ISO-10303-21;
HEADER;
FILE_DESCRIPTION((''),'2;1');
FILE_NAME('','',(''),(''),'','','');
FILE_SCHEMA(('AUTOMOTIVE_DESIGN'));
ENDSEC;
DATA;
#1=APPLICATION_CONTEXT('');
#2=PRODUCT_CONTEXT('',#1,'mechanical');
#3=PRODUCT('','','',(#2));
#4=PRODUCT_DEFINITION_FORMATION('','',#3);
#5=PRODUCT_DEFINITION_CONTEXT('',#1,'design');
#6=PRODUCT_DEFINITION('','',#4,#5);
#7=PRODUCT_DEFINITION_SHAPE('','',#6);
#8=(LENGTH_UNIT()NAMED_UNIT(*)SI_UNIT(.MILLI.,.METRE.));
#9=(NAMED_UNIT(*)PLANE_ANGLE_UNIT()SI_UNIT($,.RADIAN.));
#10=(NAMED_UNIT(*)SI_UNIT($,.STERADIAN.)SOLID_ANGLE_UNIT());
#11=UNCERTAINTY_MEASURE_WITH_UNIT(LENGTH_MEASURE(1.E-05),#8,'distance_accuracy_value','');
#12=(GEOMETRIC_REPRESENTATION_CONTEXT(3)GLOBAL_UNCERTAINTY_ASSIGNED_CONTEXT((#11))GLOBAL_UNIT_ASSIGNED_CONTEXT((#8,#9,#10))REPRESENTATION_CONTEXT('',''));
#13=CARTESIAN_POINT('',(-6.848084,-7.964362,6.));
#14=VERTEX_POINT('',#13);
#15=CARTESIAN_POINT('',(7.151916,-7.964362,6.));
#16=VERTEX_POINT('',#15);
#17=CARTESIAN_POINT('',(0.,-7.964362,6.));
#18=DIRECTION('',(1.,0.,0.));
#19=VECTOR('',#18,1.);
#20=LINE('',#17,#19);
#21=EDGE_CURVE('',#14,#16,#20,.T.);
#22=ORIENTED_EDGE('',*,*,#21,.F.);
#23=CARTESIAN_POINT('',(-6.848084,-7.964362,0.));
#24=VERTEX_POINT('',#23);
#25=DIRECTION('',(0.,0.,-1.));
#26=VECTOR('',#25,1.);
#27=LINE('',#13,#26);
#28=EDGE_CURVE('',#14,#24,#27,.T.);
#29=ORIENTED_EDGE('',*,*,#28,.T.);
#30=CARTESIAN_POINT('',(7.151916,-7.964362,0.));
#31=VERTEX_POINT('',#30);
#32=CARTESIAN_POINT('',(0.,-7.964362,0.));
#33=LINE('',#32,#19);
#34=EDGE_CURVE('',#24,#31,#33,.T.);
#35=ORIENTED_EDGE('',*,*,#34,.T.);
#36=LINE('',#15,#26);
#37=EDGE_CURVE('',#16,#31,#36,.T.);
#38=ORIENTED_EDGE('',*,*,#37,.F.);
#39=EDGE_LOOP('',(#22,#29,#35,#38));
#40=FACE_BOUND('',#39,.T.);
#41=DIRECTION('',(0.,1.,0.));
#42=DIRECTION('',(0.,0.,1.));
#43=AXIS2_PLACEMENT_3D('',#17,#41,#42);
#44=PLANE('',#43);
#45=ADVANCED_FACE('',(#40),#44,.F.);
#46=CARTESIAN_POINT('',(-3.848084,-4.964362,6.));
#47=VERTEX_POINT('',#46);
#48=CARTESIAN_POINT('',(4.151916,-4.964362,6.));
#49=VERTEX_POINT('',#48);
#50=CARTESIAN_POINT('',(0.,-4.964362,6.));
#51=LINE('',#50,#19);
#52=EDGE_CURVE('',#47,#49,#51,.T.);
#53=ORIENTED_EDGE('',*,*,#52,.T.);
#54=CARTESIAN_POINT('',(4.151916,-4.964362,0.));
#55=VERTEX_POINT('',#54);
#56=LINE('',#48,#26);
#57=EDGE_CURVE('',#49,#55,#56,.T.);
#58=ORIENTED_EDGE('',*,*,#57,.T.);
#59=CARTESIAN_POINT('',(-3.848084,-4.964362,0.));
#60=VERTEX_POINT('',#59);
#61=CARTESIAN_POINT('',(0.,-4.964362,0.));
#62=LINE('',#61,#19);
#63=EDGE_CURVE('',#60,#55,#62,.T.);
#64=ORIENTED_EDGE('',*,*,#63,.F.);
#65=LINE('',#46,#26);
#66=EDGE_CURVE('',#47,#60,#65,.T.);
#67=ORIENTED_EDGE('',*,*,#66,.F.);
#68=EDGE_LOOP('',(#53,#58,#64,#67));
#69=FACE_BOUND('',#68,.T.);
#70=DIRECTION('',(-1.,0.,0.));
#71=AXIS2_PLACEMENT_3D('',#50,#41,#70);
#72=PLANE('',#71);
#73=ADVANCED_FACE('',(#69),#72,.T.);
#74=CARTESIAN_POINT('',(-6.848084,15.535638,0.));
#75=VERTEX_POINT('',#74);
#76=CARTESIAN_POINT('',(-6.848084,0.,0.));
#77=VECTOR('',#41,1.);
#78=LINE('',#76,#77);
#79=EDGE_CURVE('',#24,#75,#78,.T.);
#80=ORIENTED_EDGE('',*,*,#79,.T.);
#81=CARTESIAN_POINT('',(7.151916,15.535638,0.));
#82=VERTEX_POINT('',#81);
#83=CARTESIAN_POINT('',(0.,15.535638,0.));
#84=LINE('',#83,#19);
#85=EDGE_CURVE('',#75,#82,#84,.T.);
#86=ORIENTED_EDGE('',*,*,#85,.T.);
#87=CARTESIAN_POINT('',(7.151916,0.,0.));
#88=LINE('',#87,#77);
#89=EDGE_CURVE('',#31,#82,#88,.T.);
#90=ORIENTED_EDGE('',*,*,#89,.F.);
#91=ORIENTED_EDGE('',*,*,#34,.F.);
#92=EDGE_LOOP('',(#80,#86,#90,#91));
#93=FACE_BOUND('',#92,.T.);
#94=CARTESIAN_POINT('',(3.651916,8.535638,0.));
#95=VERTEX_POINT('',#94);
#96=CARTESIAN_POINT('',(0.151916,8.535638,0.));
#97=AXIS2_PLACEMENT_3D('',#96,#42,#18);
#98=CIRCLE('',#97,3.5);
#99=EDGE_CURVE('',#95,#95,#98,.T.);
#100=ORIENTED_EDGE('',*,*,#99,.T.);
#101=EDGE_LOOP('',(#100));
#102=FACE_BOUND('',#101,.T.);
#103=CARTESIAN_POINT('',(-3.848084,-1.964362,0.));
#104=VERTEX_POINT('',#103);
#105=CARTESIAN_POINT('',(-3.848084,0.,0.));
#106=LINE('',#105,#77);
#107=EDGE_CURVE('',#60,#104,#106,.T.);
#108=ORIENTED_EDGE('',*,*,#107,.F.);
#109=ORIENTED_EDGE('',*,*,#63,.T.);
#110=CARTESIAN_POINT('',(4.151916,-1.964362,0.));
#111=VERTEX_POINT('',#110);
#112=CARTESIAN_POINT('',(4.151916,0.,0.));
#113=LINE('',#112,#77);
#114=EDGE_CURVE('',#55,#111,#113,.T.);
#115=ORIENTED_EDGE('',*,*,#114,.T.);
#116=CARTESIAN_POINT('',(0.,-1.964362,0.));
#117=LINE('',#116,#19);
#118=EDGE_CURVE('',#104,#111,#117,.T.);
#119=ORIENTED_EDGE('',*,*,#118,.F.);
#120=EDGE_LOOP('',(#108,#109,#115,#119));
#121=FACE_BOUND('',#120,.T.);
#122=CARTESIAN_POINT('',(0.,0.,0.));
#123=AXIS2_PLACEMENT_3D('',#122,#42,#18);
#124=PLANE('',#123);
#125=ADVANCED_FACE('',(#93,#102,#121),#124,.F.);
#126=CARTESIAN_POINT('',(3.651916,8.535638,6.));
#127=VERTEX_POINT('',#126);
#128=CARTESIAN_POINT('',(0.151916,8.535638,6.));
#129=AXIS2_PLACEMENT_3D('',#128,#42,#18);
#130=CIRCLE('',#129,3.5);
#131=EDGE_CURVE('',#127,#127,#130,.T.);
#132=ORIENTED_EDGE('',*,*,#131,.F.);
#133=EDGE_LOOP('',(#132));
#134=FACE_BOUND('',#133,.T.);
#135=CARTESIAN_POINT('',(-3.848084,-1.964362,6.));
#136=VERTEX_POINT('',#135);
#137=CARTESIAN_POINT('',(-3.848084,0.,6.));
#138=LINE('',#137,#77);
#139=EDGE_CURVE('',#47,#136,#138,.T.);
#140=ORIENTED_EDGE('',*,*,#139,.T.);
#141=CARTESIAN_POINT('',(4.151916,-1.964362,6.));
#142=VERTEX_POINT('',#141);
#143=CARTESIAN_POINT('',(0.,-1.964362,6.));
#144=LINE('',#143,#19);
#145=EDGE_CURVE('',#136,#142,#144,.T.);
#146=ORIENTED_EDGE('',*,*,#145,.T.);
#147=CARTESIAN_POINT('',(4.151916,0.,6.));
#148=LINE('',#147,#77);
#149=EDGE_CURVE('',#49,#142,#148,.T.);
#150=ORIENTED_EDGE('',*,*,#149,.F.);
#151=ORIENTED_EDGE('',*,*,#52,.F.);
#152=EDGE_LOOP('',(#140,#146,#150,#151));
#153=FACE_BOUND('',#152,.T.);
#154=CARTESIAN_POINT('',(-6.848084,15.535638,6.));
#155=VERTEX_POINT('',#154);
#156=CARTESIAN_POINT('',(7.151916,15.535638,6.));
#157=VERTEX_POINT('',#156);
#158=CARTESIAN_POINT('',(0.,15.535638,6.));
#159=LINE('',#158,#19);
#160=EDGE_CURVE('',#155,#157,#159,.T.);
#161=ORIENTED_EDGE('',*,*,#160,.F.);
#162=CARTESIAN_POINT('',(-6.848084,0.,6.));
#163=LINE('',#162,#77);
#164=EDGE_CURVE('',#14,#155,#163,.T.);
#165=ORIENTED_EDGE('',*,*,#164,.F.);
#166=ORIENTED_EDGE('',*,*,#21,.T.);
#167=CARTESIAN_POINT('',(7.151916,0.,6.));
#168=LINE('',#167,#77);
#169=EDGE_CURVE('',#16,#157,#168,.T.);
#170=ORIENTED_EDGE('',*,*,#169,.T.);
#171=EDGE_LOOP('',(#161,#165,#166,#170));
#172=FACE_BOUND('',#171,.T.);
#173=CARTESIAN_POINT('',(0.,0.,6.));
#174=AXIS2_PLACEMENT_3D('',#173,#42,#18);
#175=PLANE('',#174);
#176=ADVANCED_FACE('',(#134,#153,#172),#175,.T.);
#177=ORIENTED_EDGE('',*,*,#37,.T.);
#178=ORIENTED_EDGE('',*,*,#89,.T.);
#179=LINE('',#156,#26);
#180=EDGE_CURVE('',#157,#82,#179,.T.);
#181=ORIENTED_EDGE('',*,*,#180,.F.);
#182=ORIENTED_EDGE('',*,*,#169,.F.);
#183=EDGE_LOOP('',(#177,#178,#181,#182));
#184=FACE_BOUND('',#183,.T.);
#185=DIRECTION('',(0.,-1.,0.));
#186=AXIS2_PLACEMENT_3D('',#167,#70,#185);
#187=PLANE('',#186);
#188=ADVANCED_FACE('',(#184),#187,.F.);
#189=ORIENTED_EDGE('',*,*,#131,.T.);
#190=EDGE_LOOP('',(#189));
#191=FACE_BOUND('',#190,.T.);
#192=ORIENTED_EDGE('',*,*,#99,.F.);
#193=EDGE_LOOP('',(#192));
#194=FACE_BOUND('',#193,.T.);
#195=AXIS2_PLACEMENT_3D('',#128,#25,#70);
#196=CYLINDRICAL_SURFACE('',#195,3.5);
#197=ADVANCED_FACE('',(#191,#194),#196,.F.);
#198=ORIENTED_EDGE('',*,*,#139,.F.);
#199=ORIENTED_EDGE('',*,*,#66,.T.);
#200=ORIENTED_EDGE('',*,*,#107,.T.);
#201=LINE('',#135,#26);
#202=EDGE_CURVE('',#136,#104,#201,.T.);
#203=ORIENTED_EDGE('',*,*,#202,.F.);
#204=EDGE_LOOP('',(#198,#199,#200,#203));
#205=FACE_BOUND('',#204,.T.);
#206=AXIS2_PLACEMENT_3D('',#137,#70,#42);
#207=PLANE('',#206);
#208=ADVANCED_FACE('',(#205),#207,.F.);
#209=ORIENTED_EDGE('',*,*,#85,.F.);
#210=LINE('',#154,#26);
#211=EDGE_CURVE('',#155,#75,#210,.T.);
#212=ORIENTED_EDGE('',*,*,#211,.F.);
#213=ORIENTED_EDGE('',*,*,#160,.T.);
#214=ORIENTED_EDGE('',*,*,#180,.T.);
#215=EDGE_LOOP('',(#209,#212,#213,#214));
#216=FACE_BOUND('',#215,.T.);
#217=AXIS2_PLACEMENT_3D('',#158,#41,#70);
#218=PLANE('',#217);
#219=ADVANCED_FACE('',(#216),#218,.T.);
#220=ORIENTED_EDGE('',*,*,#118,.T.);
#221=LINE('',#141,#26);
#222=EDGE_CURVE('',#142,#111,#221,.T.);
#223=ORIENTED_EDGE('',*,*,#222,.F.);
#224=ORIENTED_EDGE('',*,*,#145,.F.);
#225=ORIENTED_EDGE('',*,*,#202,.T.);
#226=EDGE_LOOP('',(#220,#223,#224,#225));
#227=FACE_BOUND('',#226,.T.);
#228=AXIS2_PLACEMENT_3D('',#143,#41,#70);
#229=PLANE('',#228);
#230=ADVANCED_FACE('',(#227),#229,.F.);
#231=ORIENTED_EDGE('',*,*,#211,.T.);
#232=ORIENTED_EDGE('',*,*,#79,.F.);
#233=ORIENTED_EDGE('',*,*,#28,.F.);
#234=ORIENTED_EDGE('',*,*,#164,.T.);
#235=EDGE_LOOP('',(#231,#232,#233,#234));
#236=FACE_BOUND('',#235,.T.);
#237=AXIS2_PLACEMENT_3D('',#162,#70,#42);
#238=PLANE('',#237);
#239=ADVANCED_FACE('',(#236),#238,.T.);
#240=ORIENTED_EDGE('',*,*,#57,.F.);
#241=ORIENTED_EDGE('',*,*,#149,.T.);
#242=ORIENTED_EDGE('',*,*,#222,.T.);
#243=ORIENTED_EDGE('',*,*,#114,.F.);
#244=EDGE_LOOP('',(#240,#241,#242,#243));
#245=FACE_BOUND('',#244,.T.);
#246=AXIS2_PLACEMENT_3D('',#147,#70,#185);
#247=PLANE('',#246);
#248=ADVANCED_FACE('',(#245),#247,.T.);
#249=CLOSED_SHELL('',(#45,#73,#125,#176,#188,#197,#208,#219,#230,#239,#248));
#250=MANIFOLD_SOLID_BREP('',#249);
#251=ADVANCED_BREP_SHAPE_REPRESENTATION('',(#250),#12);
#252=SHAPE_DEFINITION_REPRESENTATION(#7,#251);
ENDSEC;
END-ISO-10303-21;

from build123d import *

# Parameters (mm, degrees)
SKETCH1_W           = 14
SKETCH1_H           = 23.5
SKETCH1_R           = 3.5
SKETCH1_W_2         = 8
SKETCH1_H_2         = 3
BOSS_EXTRUDE2_DEPTH = 6


with BuildPart() as part:
    # Sketch1 → Boss-Extrude2 (new body)
    with BuildSketch(Plane.XY):
        with Locations((0.151915527, 3.785637599)):
            Rectangle(SKETCH1_W, SKETCH1_H)
        with Locations((0.151915527, 8.535637599)):
            Circle(SKETCH1_R, mode=Mode.SUBTRACT)
        with Locations((0.151915527, -3.464362401)):
            Rectangle(SKETCH1_W_2, SKETCH1_H_2, mode=Mode.SUBTRACT)
    extrude(amount=BOSS_EXTRUDE2_DEPTH)


solid = part.part
